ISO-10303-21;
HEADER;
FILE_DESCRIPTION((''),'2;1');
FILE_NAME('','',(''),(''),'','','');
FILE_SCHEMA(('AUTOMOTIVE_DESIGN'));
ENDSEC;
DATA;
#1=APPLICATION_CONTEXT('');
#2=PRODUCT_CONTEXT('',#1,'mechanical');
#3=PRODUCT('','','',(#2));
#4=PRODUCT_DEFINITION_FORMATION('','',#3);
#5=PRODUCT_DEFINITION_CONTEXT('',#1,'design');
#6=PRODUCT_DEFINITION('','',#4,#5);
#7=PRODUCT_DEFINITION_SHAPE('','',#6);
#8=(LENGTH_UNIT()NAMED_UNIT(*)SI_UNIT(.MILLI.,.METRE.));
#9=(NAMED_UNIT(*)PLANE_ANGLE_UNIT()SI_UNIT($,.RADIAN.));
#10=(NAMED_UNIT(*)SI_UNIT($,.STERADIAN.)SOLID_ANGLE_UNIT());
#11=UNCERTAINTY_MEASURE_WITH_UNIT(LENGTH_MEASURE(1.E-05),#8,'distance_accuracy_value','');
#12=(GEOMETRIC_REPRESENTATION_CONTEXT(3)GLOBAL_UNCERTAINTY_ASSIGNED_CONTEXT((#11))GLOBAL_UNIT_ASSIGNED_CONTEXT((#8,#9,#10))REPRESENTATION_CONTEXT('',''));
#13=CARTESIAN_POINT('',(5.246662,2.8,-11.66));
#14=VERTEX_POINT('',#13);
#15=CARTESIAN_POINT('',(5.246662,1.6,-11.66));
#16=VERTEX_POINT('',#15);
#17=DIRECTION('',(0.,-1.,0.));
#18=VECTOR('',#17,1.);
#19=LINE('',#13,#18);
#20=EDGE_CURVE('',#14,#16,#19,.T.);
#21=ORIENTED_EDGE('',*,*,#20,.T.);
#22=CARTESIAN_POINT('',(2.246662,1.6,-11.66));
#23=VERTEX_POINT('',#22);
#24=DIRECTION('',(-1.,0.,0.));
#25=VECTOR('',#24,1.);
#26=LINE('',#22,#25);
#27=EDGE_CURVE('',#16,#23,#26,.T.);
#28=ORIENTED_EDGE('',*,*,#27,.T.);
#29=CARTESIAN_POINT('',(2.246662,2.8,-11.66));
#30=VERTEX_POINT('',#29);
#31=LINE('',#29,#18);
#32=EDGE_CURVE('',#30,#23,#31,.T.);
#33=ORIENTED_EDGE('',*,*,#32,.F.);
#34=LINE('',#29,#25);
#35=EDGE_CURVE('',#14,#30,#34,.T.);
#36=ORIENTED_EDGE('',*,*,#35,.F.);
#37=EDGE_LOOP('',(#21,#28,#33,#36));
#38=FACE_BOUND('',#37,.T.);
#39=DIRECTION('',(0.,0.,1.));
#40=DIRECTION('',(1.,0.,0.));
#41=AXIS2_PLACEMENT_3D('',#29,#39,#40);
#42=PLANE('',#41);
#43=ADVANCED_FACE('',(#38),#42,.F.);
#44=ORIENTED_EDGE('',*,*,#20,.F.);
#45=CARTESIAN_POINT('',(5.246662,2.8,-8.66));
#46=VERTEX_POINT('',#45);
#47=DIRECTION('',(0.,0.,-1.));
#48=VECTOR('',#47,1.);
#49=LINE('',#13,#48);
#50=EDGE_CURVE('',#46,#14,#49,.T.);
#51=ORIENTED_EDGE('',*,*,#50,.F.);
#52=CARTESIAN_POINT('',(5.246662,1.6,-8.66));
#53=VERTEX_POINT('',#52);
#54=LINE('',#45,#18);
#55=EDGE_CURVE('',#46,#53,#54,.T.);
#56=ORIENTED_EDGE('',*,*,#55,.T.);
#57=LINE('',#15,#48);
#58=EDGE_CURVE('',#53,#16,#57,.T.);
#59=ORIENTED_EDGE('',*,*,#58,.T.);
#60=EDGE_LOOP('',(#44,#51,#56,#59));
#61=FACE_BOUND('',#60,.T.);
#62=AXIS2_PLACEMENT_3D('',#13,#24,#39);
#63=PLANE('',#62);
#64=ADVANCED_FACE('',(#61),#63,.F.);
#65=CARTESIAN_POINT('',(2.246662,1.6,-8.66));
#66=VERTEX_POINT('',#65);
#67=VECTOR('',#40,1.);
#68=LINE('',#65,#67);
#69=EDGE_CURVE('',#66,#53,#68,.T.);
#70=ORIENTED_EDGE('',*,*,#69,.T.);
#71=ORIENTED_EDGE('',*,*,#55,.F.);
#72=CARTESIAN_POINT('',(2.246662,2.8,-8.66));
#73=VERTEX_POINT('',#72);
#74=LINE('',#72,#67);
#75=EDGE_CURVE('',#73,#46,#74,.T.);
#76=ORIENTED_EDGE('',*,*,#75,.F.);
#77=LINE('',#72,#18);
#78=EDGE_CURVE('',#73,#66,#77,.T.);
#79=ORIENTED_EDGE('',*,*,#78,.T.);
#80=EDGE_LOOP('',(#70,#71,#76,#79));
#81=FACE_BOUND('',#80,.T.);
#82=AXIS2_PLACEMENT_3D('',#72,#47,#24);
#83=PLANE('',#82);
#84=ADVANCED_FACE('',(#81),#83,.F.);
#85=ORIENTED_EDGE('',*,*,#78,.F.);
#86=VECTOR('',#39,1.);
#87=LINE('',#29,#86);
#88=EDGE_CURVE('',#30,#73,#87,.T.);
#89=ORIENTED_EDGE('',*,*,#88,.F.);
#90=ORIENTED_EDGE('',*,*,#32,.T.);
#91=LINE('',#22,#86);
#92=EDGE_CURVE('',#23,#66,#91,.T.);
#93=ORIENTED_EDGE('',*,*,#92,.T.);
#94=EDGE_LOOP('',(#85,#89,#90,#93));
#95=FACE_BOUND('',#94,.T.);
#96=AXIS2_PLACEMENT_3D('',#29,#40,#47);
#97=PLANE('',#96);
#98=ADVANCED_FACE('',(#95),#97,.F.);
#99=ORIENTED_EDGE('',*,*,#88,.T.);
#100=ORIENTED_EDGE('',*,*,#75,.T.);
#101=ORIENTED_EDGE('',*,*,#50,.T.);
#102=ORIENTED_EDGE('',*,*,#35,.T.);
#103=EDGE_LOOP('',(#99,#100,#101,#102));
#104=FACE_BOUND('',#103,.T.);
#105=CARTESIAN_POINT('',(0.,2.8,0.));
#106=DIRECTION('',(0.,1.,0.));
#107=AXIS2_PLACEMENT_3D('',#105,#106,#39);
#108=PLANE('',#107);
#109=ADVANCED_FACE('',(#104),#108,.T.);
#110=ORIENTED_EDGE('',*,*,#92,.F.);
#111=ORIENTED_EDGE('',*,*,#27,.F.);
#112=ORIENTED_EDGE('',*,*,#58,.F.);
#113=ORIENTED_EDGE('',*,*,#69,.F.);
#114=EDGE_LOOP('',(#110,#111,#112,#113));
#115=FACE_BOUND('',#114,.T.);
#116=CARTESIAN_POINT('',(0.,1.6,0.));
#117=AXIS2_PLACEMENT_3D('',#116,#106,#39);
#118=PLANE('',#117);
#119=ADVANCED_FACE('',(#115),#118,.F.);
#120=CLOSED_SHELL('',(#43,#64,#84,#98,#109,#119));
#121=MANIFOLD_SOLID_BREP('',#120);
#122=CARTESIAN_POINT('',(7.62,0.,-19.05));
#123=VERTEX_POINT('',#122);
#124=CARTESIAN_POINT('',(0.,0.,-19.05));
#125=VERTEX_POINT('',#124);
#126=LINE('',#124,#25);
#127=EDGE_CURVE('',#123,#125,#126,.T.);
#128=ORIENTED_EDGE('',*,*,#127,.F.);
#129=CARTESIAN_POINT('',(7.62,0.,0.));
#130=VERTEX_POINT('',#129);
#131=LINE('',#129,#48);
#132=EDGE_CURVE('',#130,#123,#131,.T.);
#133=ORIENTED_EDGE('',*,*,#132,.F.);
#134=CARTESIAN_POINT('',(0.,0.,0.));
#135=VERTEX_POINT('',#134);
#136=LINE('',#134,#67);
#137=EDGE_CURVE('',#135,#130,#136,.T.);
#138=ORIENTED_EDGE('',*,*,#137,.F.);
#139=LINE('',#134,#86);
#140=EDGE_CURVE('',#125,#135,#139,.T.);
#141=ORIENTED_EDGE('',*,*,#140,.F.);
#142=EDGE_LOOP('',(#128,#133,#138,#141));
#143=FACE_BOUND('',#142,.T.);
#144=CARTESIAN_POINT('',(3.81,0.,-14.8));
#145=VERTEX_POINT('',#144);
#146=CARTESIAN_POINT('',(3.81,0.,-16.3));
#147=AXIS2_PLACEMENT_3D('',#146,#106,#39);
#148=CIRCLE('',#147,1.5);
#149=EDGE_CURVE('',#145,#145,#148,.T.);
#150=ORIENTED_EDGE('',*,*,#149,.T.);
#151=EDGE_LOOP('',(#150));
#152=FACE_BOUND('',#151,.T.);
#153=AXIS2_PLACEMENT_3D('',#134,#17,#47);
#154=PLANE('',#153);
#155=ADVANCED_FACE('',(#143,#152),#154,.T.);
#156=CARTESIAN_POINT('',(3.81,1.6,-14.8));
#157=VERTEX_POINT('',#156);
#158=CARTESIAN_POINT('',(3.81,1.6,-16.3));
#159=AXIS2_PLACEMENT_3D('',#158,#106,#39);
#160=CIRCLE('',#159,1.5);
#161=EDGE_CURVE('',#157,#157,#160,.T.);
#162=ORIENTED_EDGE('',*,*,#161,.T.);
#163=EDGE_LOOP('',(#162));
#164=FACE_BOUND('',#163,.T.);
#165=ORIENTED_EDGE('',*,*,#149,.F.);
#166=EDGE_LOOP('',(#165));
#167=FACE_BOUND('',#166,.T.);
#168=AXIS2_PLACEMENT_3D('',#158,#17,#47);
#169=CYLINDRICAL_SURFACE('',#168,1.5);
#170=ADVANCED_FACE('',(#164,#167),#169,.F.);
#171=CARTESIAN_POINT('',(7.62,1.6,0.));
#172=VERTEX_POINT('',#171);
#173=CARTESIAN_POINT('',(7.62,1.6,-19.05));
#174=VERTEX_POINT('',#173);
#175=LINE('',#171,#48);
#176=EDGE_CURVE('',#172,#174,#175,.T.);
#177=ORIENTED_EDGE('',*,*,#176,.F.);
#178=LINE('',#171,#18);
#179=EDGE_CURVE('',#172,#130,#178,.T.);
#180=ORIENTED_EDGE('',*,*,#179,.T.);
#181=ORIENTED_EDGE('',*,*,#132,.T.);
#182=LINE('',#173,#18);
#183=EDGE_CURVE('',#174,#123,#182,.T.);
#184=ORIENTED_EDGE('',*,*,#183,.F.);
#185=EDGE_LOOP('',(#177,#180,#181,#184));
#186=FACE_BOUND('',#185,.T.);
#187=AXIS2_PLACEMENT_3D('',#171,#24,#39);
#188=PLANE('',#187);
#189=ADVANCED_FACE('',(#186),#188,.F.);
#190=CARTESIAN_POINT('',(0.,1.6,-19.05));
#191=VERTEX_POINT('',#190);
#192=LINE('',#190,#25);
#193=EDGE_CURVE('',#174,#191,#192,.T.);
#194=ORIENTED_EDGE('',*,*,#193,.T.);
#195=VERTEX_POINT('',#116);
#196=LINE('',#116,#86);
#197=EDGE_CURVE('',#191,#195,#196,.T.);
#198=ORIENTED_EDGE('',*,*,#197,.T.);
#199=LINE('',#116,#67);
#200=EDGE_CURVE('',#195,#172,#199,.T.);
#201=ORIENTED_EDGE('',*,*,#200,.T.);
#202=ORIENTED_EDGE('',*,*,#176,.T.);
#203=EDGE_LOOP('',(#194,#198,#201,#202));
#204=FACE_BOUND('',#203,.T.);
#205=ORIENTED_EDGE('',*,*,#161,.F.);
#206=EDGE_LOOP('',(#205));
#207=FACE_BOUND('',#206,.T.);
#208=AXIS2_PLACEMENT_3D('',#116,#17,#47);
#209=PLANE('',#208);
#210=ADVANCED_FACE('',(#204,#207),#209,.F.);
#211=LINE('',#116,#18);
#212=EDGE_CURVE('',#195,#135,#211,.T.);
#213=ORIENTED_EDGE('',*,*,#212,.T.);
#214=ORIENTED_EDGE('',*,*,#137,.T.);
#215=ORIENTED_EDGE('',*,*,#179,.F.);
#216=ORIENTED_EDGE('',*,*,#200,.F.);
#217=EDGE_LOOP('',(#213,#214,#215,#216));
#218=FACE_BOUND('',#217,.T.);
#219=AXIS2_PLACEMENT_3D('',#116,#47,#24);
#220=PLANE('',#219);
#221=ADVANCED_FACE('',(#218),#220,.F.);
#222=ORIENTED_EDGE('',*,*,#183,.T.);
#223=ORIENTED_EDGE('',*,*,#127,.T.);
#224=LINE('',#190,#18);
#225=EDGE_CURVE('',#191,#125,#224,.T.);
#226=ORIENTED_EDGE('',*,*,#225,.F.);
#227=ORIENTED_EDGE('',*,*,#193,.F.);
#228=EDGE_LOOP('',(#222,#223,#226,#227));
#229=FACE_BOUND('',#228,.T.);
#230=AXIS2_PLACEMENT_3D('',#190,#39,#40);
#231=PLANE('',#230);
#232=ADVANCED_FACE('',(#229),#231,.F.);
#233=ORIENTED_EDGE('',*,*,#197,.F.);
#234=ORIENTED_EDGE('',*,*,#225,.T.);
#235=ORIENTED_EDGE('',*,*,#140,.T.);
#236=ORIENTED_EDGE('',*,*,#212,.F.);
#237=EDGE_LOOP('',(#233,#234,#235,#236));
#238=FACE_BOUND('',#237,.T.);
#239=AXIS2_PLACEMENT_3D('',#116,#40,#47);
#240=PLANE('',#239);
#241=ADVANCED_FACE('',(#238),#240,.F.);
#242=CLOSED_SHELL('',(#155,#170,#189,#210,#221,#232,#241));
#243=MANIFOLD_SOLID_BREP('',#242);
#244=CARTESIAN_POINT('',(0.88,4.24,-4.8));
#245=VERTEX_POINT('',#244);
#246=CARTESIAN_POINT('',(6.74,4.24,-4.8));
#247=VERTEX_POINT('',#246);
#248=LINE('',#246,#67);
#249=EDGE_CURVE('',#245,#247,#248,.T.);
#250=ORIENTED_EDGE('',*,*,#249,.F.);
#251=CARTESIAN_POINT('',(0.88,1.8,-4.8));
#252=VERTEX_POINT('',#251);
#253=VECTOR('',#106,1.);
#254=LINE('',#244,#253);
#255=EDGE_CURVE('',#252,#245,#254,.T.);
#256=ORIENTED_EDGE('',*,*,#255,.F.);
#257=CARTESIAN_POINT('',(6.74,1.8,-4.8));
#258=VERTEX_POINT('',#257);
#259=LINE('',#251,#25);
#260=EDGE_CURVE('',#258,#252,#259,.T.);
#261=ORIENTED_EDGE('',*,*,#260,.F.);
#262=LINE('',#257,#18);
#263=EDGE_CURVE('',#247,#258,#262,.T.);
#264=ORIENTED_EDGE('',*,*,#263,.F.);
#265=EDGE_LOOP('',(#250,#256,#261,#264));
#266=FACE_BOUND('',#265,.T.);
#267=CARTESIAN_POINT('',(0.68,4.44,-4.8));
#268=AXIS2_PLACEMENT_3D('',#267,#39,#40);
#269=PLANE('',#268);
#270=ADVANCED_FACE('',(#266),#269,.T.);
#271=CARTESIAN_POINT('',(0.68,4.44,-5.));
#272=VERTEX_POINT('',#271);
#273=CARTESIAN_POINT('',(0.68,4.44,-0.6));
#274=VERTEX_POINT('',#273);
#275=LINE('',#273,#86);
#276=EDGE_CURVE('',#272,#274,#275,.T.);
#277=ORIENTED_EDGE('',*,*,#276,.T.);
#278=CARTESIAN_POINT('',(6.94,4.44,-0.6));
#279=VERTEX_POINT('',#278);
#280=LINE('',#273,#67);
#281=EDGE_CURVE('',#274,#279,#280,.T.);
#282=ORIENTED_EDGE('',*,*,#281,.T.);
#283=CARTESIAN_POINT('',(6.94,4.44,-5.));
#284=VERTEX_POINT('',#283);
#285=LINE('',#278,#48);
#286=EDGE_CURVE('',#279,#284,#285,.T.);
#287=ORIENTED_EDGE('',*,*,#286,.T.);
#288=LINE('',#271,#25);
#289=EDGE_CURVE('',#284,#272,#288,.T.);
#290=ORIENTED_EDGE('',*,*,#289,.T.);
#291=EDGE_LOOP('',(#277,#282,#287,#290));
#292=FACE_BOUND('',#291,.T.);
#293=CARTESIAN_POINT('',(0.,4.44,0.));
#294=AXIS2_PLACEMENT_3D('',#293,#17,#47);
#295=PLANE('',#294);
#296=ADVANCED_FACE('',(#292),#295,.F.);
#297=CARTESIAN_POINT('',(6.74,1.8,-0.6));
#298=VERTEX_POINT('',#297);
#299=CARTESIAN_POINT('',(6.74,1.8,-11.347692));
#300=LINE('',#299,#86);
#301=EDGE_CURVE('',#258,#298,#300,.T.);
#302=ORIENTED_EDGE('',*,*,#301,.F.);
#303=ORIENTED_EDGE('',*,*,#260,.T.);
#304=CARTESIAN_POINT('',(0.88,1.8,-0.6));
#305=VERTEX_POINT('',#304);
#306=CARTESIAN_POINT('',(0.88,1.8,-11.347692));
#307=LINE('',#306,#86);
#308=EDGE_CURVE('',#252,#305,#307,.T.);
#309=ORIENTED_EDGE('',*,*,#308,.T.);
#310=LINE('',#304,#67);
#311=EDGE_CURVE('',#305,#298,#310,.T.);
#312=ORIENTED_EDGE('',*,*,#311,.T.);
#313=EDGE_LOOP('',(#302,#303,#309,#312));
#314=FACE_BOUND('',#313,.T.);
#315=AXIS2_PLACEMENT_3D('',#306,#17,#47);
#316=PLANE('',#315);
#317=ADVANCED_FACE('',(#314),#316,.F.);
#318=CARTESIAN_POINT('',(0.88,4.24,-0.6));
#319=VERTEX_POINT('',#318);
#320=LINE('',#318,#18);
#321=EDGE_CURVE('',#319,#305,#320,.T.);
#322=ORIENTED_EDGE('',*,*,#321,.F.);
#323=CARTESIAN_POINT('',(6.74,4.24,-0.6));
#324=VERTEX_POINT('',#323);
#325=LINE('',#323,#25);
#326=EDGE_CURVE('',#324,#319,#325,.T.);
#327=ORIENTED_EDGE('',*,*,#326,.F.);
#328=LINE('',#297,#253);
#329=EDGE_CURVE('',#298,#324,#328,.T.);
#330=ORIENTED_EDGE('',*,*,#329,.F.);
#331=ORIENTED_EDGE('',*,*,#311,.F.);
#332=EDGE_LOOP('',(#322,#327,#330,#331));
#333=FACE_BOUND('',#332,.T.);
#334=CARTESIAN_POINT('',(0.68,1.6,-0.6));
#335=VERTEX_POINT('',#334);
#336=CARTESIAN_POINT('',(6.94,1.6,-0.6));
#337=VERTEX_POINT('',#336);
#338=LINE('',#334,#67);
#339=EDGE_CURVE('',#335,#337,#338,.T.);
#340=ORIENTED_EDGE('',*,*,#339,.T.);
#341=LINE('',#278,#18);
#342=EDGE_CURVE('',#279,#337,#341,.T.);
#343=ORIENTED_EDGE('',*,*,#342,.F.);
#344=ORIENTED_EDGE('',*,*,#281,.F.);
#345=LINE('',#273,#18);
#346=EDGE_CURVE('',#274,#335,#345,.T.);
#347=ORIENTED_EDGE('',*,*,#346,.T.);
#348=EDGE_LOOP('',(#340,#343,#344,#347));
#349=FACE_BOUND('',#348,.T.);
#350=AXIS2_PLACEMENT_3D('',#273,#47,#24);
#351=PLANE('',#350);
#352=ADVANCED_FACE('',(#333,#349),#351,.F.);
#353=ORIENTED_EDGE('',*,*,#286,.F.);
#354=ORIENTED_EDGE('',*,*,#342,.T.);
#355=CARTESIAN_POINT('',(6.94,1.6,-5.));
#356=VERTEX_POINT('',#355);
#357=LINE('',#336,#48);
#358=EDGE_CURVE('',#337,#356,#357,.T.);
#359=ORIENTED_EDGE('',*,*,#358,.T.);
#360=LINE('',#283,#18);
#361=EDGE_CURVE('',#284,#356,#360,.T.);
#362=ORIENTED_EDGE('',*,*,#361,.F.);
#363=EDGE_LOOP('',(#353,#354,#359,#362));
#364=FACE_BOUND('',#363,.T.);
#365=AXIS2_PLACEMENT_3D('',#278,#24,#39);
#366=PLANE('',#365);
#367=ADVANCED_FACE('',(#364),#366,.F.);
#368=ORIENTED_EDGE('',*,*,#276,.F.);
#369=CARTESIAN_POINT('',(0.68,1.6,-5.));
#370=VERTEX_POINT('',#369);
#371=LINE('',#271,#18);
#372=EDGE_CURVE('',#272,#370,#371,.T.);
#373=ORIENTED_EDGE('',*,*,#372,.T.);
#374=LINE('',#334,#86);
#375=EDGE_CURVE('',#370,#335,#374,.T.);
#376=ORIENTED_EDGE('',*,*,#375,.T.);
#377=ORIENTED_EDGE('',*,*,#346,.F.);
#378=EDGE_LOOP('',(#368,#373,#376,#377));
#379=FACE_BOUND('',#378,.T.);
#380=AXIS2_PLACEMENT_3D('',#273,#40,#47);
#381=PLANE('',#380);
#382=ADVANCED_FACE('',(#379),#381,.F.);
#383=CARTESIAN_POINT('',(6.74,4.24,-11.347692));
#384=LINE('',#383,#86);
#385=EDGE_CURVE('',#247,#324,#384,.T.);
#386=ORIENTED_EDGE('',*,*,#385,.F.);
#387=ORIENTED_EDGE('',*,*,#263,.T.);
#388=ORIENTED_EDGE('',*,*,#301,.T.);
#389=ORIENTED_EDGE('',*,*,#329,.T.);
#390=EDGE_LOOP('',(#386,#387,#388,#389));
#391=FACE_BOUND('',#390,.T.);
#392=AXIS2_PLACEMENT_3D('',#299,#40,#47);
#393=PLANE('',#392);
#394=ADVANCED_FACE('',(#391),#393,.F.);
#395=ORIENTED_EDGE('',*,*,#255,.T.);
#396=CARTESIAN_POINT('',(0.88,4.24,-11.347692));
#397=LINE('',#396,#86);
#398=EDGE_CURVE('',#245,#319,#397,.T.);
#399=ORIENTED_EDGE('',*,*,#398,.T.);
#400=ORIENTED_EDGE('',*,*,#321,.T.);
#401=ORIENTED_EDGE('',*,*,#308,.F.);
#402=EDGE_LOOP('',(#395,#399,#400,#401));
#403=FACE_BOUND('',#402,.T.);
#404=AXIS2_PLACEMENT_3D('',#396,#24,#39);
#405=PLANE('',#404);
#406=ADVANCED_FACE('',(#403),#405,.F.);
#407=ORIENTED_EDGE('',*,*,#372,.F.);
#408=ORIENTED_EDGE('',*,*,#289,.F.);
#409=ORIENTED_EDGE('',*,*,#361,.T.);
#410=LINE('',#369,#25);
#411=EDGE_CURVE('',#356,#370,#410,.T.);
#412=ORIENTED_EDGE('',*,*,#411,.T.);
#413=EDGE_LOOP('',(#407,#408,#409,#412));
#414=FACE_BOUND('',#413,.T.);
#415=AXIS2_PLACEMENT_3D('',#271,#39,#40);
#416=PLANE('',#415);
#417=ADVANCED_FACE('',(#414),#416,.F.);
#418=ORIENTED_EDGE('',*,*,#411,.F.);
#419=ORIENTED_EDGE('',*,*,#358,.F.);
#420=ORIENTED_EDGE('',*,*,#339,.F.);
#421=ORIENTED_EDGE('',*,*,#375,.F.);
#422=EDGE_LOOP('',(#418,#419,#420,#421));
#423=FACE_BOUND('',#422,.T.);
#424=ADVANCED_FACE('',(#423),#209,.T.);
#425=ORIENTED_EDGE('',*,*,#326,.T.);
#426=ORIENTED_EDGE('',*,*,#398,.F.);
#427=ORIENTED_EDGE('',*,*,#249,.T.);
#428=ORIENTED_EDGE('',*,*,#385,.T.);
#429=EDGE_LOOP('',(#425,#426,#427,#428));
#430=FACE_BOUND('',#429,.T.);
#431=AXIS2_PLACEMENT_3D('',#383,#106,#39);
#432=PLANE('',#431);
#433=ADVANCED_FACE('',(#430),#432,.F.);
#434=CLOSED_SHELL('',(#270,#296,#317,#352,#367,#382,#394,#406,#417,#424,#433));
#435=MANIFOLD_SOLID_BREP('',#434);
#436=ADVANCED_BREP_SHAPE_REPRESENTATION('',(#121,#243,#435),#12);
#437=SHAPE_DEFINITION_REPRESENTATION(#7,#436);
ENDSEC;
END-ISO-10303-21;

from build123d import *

# Parameters (mm, degrees)
SKETCH1_W           = 7.62
SKETCH1_H           = 19.05
SKETCH1_R           = 1.5
BOSS_EXTRUDE1_DEPTH = 1.6
SKETCH2_W           = 3
SKETCH2_H           = 3
BOSS_EXTRUDE2_DEPTH = 1.2
SKETCH3_W           = 6.26
SKETCH3_H           = 4.4
BOSS_EXTRUDE3_DEPTH = 2.84
SKETCH4_W           = 5.86
SKETCH4_H           = 2.44
CUT_EXTRUDE1_DEPTH  = 4.2


with BuildPart() as part:
    # Sketch1 → Boss-Extrude1 (new body)
    with BuildSketch(Plane(origin=(0, 0, 0), x_dir=(1, 0, 0), z_dir=(0, 1, 0))):
        with Locations((3.81, 9.525)):
            Rectangle(SKETCH1_W, SKETCH1_H)
        with Locations((3.81, 16.3)):
            Circle(SKETCH1_R, mode=Mode.SUBTRACT)
    extrude(amount=BOSS_EXTRUDE1_DEPTH)


with BuildPart() as body_2:
    # Sketch2 → Boss-Extrude2 (new body)
    with BuildSketch(Plane(origin=(0, 1.6, 0), x_dir=(1, 0, 0), z_dir=(0, 1, 0))):
        with Locations((3.746662363, 10.16)):
            Rectangle(SKETCH2_W, SKETCH2_H)
    extrude(amount=BOSS_EXTRUDE2_DEPTH)


with BuildPart() as body_3:
    # Sketch3 → Boss-Extrude3 (new body)
    with BuildSketch(Plane(origin=(0, 1.6, 0), x_dir=(1, 0, 0), z_dir=(0, 1, 0))):
        with Locations((3.81, 2.8)):
            Rectangle(SKETCH3_W, SKETCH3_H)
    extrude(amount=BOSS_EXTRUDE3_DEPTH)

    # Sketch4 → Cut-Extrude1 (cut)
    with BuildSketch(Plane.XY.offset(-0.6)):
        with Locations((3.81, 3.02)):
            Rectangle(SKETCH4_W, SKETCH4_H)
    extrude(amount=-CUT_EXTRUDE1_DEPTH, mode=Mode.SUBTRACT)


solid = Compound([part.part, body_2.part, body_3.part])
